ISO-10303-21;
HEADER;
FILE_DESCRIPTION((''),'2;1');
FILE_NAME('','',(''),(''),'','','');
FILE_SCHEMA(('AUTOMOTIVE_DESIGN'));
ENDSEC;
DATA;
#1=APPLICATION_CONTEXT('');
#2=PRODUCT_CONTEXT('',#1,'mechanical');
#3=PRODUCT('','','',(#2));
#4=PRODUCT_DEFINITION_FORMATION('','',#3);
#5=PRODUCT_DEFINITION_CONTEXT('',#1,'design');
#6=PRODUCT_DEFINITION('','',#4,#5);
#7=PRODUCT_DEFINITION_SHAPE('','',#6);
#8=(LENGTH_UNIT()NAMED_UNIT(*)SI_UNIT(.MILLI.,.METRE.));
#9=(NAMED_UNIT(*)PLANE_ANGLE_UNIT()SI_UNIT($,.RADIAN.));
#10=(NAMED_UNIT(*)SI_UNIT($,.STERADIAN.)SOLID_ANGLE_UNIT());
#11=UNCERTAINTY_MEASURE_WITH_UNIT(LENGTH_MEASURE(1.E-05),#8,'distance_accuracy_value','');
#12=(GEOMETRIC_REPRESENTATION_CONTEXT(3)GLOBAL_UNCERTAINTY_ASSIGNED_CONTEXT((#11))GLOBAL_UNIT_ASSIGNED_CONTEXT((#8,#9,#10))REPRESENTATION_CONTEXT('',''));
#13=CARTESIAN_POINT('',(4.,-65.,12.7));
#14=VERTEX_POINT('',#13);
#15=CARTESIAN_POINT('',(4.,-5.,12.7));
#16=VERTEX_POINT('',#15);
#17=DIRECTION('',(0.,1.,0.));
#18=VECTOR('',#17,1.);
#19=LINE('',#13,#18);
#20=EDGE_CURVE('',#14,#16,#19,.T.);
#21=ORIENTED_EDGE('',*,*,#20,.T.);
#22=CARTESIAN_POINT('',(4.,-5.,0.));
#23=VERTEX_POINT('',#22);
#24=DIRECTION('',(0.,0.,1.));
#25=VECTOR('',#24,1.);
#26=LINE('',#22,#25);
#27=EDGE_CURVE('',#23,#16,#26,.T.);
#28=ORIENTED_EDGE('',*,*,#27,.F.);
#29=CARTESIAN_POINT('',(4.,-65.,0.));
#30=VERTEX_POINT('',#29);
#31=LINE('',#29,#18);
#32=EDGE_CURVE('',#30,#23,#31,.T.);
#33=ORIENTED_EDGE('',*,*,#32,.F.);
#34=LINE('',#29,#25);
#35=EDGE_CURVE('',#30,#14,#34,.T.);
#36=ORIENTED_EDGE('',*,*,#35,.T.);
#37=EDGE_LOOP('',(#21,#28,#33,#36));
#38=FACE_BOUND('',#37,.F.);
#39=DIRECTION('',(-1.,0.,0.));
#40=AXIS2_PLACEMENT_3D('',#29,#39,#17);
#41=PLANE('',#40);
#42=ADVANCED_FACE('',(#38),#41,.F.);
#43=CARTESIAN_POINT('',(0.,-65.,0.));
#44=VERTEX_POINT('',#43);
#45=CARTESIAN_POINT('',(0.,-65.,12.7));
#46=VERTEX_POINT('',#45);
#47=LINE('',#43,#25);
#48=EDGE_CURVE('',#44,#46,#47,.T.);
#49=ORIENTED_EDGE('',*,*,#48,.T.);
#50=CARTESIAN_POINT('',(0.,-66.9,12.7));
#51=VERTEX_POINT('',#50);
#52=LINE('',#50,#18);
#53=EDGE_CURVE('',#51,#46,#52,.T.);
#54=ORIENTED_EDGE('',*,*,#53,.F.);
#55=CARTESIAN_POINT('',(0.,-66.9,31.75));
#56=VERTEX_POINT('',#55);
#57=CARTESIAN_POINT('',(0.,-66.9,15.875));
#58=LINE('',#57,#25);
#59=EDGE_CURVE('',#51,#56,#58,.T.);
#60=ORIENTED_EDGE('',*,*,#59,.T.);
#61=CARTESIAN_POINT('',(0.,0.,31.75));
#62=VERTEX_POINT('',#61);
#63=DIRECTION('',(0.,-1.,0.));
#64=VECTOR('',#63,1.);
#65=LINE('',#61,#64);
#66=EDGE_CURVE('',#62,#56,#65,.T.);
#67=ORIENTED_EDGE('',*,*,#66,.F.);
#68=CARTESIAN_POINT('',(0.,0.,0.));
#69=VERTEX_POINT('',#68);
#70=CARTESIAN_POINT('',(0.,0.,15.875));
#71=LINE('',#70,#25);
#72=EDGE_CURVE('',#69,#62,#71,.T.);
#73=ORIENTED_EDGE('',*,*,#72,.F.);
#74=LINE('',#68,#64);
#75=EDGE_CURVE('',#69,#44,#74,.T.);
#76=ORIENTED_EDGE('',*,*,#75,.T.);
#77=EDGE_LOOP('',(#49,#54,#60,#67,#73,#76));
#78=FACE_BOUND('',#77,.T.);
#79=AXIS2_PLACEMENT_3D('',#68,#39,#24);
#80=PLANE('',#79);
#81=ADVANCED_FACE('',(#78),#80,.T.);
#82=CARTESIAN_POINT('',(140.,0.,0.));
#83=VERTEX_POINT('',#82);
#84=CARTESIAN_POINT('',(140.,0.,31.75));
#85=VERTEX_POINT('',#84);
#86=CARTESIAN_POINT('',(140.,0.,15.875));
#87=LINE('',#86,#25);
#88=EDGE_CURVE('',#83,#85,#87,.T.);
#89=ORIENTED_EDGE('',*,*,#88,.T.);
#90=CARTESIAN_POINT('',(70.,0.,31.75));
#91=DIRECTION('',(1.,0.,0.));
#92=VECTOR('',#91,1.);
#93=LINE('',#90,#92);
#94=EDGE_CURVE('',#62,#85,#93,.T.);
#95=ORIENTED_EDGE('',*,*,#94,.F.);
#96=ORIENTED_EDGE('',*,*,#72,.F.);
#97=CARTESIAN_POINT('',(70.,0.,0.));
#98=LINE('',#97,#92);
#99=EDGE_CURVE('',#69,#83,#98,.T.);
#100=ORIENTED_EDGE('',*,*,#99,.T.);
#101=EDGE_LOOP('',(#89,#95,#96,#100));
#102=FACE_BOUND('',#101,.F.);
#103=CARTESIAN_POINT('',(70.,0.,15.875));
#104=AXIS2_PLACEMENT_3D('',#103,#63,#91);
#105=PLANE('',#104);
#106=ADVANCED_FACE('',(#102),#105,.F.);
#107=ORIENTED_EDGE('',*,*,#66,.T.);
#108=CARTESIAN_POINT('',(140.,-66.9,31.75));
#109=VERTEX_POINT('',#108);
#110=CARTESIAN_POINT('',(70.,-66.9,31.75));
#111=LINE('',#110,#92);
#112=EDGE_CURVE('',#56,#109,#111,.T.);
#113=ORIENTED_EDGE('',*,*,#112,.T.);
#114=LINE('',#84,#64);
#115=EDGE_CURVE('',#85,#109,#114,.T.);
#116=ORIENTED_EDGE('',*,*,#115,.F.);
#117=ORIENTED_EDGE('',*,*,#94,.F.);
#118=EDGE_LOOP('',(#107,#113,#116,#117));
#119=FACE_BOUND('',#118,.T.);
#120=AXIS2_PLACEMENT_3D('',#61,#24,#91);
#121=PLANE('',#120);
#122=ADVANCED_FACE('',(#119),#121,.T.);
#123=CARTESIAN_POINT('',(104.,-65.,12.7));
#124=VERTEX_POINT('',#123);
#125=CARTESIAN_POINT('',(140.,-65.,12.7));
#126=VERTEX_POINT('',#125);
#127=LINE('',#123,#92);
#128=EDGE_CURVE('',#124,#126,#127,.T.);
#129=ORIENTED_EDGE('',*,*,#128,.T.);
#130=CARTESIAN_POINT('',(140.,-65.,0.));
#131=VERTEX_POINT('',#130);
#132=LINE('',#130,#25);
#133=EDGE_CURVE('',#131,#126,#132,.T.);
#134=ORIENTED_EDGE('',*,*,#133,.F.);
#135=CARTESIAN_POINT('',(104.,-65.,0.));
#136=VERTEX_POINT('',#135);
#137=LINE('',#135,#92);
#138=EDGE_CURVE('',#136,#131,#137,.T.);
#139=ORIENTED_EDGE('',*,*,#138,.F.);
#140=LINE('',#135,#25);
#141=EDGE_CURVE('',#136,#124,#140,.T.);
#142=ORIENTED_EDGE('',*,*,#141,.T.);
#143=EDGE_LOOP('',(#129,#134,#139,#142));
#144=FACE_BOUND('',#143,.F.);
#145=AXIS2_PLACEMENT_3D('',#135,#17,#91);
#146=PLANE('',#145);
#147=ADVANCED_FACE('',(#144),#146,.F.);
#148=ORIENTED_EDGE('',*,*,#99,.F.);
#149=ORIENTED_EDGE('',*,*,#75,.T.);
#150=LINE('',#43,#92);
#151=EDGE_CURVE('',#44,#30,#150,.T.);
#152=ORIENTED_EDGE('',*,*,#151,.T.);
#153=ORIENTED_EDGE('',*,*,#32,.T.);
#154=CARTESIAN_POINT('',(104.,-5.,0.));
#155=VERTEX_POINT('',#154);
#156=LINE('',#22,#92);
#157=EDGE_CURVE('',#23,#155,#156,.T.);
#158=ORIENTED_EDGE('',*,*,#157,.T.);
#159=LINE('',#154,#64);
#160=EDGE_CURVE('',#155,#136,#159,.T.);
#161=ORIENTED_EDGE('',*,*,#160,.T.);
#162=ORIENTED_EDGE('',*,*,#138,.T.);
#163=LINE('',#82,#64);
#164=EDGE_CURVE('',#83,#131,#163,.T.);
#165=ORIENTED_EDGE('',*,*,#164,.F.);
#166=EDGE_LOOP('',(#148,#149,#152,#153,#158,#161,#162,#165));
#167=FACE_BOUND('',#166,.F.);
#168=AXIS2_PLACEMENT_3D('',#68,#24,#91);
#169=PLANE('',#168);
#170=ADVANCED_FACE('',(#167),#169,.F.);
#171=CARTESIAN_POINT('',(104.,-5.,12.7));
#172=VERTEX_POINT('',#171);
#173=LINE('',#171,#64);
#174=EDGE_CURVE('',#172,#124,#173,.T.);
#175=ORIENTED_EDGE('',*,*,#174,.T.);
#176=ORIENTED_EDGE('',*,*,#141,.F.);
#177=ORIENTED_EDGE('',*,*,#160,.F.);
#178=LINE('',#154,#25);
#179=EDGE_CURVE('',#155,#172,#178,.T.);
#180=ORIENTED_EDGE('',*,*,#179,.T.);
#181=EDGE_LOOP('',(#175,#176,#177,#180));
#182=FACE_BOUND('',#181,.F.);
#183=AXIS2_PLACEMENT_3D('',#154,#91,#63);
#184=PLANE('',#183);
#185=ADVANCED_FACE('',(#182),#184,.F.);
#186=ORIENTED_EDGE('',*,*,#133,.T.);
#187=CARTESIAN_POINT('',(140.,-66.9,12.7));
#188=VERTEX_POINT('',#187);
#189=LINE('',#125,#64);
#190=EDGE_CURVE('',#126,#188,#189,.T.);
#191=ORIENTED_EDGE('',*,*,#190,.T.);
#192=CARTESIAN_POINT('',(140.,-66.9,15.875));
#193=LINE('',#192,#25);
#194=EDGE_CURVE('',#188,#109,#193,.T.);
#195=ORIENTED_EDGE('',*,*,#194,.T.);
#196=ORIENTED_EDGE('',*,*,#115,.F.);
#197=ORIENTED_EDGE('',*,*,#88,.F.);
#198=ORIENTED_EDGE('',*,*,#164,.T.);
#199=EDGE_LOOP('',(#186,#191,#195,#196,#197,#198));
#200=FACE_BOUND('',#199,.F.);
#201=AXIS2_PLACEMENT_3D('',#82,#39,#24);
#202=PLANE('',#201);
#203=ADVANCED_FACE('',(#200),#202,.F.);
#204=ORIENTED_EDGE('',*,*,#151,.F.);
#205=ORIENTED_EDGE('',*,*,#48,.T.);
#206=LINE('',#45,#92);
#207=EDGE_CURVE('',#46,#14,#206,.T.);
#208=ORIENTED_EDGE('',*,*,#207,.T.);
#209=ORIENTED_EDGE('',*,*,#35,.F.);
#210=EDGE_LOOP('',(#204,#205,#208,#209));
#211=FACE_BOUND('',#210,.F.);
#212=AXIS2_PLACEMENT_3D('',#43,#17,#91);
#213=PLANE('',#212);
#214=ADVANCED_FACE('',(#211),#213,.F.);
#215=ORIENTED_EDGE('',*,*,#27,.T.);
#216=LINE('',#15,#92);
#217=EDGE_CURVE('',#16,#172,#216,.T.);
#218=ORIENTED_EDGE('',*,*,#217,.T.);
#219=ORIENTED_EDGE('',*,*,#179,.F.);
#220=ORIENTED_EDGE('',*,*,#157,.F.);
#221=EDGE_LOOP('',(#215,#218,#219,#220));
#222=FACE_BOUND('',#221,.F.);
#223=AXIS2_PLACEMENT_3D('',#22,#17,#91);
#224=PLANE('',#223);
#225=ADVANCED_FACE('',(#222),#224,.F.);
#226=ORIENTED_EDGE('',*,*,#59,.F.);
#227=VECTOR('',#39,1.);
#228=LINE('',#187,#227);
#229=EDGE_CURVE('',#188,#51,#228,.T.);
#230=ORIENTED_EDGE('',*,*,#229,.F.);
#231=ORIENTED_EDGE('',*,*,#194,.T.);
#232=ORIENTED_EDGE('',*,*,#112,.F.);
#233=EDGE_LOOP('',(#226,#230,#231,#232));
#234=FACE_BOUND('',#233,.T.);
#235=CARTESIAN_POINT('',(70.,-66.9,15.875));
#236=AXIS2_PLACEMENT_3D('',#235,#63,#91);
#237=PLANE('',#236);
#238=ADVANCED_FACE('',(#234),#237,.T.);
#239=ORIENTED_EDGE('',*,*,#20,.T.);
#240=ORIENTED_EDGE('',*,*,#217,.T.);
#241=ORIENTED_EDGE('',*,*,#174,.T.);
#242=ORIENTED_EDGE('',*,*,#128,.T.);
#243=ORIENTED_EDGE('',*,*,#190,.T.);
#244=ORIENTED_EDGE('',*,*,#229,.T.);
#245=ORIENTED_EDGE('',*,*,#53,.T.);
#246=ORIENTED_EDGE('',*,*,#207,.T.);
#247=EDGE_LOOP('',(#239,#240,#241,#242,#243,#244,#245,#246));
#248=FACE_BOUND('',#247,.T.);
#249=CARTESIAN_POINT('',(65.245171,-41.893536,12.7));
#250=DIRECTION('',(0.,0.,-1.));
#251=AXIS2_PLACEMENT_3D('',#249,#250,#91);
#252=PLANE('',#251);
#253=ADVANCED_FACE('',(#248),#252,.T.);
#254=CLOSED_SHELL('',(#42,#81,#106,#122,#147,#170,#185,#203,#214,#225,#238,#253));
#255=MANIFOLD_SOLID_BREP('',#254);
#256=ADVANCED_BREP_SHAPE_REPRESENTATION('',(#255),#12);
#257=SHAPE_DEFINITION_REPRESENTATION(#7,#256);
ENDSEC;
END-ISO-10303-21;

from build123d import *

# Parameters (mm, degrees)
F0_W     = 140
F0_H     = 31.75
F1_DEPTH = 66.9
F3_DEPTH = 12.7


with BuildPart() as f1:
    # F0 (on Front) → F1 (new body)
    with BuildSketch(Plane.XZ):
        with Locations((70, 15.875)):
            Rectangle(F0_W, F0_H)
    extrude(amount=F1_DEPTH)

    # F2 (on face) → F3 (cut)
    with BuildSketch(Plane(origin=(0, 0, 0), x_dir=(1, 0, 0), z_dir=(0, 0, -1))):
        Polygon((0, 66.9), (0, 65), (4, 65), (4, 5), (104, 5), (104, 65), (140, 65), (140, 66.9), align=None)
    extrude(amount=-F3_DEPTH, mode=Mode.SUBTRACT)


solid = f1.part
